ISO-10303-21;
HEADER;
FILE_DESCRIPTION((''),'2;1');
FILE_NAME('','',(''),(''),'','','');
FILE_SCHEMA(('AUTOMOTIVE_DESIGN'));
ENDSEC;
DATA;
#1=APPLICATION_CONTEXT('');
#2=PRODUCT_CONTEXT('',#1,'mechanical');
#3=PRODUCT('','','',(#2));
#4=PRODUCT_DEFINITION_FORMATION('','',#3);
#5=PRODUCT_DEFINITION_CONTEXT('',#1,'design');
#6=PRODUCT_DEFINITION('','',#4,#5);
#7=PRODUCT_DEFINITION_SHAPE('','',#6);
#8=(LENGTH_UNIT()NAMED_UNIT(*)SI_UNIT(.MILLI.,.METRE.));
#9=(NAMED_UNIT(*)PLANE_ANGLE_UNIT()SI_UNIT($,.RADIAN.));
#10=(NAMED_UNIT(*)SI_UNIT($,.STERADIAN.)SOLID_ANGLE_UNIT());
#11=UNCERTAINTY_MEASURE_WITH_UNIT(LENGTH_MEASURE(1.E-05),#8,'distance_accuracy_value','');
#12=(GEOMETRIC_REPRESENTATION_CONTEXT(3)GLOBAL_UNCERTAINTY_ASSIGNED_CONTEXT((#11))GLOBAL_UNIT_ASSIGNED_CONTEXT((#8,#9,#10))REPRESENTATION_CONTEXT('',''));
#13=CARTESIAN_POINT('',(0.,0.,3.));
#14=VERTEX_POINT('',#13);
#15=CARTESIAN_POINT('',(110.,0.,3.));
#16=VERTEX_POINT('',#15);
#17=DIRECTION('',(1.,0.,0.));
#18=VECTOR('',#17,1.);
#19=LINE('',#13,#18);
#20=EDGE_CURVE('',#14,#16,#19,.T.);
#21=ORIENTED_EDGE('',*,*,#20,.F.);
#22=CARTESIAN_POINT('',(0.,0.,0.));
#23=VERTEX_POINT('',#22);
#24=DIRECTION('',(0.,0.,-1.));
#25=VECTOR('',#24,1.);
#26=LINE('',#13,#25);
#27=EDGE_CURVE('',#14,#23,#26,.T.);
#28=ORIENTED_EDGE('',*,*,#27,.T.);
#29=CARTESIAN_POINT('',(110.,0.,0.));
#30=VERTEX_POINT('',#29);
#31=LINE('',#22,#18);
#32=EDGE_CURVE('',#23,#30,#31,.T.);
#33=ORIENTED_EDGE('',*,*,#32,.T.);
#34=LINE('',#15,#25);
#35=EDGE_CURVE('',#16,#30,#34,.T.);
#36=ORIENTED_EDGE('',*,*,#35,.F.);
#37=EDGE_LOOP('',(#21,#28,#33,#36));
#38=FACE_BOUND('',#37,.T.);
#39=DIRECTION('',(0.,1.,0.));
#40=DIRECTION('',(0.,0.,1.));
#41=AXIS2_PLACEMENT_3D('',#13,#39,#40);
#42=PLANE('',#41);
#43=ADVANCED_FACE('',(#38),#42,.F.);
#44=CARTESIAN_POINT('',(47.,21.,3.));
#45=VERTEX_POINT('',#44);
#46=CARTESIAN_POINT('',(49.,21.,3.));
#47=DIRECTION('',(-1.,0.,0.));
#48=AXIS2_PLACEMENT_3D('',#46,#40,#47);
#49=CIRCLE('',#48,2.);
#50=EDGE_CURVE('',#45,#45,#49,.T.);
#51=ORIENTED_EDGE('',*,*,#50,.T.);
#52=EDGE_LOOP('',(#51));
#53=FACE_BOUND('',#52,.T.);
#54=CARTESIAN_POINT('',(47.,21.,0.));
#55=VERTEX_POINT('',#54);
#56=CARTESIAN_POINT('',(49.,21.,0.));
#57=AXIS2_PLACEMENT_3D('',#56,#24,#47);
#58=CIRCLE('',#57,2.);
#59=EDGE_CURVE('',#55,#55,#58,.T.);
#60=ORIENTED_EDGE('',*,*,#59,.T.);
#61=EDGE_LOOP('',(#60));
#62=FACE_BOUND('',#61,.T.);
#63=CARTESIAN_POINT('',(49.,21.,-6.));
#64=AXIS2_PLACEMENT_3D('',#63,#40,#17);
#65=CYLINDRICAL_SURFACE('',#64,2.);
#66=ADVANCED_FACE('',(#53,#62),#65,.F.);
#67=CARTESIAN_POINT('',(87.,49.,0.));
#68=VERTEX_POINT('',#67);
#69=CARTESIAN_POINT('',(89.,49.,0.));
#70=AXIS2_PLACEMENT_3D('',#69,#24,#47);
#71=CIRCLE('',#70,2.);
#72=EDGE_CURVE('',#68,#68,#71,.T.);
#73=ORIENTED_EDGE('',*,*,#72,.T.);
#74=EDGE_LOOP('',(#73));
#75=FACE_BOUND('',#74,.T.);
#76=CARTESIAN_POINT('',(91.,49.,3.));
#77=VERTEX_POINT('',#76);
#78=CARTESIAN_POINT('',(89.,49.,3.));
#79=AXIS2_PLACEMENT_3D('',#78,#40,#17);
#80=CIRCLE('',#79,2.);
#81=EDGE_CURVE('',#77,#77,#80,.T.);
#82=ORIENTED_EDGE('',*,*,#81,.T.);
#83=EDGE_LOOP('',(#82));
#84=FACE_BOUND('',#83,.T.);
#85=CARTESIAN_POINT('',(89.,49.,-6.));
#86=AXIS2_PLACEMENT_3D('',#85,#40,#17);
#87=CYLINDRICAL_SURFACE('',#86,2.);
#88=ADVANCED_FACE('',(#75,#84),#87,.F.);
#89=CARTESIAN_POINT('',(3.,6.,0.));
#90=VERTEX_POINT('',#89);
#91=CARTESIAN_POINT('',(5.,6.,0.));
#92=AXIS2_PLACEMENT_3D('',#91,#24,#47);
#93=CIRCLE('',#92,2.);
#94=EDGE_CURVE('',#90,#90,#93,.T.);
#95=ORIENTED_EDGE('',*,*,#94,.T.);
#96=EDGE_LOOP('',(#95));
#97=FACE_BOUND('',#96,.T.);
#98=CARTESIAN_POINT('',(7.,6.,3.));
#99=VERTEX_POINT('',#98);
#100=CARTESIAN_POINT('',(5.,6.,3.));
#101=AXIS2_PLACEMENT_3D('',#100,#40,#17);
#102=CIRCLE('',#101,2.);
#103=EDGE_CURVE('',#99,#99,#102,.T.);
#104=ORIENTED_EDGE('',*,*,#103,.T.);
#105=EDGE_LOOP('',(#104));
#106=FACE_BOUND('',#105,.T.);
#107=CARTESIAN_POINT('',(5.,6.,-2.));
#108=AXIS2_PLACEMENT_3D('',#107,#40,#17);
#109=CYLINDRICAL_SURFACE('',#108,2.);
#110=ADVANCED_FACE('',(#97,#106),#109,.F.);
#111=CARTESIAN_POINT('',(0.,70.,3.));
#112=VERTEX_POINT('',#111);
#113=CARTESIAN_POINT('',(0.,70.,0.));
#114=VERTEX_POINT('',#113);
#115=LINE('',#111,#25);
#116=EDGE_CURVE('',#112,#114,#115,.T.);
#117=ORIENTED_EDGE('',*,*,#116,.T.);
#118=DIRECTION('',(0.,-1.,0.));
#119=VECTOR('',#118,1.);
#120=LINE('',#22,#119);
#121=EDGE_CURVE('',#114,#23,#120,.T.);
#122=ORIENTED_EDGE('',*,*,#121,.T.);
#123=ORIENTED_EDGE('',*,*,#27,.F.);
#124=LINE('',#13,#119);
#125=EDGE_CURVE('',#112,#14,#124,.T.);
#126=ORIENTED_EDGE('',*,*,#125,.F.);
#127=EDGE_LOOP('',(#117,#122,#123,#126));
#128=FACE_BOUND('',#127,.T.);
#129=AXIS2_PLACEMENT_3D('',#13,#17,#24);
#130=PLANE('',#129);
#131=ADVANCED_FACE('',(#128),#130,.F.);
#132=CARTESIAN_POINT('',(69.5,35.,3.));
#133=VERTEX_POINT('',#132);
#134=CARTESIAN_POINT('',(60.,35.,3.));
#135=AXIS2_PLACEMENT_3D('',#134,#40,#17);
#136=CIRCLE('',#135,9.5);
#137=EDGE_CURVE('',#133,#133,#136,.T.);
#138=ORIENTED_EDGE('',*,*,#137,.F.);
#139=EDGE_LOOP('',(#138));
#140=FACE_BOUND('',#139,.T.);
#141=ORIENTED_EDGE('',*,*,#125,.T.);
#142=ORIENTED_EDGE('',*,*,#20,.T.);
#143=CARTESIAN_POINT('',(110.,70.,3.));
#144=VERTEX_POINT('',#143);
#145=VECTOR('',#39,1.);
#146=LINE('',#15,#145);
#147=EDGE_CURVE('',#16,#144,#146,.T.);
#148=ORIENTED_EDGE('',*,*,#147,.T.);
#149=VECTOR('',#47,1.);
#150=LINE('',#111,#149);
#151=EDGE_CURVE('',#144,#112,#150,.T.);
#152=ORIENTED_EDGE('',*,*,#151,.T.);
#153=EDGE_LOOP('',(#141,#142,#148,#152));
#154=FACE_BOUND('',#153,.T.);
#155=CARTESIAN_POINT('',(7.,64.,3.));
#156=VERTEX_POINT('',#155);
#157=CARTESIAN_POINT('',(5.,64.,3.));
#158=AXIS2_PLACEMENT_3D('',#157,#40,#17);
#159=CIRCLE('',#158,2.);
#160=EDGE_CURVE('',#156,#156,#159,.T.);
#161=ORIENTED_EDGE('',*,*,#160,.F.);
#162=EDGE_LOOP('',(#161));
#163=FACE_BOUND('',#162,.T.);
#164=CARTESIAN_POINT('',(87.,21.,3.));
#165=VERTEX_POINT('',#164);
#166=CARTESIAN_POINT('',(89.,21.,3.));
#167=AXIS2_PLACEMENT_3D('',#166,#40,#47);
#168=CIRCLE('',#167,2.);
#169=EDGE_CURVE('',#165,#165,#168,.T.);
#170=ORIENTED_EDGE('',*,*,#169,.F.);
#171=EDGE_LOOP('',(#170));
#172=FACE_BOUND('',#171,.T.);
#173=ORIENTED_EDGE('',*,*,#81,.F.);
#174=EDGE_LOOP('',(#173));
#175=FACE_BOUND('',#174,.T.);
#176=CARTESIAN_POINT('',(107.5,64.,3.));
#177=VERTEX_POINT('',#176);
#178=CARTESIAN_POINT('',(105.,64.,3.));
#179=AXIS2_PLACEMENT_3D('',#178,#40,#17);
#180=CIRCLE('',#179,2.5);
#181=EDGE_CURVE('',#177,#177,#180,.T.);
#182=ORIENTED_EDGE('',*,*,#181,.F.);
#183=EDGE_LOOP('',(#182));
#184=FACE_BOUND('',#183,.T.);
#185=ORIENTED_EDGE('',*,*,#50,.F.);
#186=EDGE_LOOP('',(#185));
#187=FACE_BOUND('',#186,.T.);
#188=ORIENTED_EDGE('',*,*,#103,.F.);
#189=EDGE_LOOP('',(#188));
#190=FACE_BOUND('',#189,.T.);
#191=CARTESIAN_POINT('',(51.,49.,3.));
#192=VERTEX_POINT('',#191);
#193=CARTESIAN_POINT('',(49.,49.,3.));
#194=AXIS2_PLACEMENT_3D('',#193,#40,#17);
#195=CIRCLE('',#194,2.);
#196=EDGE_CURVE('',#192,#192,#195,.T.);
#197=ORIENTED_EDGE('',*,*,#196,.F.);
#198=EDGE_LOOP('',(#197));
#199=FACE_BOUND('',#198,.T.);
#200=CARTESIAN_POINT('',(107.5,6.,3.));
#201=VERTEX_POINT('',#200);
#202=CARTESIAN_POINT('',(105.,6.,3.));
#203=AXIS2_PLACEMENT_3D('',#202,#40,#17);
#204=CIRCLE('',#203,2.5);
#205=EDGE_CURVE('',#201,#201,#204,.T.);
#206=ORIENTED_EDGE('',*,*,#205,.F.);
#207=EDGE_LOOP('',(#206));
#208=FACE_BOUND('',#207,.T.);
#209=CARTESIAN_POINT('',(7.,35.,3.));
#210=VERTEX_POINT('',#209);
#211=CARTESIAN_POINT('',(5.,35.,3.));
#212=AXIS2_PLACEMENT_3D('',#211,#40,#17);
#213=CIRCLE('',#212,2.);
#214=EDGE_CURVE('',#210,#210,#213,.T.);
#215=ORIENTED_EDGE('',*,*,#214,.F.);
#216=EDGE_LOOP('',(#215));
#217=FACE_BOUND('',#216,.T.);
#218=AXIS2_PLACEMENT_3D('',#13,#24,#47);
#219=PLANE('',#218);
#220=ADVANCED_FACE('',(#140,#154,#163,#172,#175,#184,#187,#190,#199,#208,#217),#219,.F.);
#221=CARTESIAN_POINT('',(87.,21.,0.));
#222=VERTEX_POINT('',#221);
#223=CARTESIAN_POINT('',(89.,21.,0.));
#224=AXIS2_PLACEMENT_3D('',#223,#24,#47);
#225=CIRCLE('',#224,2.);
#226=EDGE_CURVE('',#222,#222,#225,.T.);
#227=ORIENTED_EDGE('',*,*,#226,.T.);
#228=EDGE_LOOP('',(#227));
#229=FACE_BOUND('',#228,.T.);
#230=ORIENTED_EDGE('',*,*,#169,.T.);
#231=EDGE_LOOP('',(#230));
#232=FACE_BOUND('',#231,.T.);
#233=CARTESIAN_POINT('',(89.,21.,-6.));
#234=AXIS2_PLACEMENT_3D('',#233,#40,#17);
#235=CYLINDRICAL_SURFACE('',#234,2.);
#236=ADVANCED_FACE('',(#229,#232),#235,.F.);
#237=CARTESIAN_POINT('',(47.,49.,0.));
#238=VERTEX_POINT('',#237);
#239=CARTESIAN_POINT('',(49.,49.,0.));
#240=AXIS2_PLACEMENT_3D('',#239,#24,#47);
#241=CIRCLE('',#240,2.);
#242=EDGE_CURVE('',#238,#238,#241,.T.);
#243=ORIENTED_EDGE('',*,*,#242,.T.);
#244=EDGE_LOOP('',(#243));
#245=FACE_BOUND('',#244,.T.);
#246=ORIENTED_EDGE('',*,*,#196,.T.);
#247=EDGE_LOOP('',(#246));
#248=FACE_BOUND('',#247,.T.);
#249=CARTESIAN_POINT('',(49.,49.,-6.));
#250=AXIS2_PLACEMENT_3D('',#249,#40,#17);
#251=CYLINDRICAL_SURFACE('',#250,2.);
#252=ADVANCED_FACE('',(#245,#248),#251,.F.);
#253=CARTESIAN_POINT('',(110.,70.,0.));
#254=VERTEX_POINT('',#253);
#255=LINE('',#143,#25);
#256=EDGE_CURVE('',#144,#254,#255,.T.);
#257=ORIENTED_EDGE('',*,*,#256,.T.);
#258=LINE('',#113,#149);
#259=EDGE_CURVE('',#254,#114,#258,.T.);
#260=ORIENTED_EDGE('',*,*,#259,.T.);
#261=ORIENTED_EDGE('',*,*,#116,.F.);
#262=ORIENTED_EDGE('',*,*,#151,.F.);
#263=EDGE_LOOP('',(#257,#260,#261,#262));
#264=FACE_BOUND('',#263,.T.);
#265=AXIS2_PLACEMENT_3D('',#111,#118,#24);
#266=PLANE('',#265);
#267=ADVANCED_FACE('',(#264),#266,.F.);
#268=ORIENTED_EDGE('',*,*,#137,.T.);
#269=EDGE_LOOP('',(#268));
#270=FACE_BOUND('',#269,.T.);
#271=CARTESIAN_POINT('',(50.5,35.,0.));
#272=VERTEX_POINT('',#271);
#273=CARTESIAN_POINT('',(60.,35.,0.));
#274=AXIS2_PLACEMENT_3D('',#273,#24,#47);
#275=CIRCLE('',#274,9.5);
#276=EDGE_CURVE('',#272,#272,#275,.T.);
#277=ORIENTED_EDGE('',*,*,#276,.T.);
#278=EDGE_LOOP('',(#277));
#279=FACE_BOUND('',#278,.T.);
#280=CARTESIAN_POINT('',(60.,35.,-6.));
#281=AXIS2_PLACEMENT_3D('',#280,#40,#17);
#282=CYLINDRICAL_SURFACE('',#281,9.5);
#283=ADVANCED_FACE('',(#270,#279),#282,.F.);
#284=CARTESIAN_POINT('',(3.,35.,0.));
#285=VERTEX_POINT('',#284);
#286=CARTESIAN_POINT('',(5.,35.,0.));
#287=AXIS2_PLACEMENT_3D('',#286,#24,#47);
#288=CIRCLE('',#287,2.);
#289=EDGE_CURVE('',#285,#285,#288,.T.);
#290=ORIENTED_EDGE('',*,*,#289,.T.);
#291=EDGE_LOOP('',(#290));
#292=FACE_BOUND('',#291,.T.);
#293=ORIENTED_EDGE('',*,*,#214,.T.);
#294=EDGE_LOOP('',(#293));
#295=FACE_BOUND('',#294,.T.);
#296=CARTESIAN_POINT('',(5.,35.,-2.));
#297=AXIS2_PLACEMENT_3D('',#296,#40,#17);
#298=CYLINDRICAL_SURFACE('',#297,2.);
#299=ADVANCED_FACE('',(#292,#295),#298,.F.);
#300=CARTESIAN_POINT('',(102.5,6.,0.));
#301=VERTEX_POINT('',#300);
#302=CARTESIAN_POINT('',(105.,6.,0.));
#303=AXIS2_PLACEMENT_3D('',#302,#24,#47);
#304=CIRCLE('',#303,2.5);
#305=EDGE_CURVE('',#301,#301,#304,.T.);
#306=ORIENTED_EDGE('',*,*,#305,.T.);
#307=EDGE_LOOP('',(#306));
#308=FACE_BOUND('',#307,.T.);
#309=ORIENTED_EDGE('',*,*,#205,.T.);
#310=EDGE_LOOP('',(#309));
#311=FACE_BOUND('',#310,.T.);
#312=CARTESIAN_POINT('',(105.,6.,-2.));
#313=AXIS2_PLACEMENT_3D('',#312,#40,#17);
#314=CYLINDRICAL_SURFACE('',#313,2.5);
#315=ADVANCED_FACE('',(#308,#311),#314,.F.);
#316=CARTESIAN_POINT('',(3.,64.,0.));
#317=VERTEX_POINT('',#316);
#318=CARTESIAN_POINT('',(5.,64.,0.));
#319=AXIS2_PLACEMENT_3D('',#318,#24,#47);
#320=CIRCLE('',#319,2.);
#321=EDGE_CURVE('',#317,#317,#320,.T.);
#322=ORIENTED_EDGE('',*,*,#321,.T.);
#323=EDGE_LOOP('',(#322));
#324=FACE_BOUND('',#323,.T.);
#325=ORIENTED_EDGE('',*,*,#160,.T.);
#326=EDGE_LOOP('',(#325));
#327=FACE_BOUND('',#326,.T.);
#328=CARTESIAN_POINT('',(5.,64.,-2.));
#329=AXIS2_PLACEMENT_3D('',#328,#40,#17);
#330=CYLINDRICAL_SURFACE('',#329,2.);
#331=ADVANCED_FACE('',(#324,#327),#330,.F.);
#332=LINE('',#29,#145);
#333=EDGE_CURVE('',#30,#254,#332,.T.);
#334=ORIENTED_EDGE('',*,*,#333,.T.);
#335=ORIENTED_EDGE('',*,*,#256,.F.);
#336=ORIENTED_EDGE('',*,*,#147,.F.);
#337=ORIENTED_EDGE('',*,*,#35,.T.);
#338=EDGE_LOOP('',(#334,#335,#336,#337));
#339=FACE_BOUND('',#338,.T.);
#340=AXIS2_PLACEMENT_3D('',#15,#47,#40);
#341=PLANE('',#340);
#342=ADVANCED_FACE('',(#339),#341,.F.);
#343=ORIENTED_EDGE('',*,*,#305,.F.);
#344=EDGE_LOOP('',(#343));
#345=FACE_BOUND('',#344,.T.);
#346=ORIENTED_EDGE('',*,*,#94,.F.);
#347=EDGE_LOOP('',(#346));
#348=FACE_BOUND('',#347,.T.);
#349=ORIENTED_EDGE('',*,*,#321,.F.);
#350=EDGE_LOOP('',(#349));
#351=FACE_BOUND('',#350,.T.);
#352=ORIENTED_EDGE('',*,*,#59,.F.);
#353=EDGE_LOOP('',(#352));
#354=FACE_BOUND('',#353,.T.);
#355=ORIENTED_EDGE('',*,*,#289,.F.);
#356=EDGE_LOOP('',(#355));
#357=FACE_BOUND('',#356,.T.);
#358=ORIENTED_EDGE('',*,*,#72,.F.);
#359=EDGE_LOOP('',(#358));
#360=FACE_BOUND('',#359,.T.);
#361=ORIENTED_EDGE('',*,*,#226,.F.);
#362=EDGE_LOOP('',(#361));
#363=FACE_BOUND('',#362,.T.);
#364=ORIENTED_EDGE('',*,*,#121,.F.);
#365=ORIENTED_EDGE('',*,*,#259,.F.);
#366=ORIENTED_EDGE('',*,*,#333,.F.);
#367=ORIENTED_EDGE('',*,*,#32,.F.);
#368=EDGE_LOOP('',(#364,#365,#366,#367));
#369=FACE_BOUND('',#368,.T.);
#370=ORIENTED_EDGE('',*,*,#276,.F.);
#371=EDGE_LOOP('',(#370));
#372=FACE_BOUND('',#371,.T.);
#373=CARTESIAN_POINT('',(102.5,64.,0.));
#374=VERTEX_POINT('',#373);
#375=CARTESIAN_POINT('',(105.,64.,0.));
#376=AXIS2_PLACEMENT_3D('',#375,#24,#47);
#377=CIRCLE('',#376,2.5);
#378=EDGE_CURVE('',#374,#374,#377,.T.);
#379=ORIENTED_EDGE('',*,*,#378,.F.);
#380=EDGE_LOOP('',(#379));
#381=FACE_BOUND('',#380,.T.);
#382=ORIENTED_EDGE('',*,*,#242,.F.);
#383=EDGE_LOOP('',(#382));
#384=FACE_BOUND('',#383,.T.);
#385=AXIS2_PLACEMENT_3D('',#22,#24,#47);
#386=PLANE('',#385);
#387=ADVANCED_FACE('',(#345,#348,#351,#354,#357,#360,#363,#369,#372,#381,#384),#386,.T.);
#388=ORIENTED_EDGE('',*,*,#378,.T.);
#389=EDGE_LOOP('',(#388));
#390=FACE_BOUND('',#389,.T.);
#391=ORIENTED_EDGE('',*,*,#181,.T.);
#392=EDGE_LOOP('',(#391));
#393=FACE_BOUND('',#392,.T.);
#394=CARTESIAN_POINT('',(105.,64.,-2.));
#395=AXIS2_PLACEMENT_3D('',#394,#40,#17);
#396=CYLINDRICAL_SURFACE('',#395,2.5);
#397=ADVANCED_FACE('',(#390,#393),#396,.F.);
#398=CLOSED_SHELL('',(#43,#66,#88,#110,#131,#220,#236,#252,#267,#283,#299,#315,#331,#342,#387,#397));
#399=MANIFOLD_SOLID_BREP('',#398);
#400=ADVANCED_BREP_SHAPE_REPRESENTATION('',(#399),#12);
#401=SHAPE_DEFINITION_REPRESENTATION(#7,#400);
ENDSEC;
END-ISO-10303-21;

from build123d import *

# Parameters (mm, degrees)
SKETCH1_W           = 110
SKETCH1_H           = 70
BOSS_EXTRUDE1_DEPTH = 3
SKETCH2_R           = 2
SKETCH2_R_2         = 2.5
CUT_EXTRUDE1_DEPTH  = 5
SKETCH3_R           = 9.5
SKETCH3_R_2         = 2
CUT_EXTRUDE3_DEPTH  = 9


with BuildPart() as part:
    # Sketch1 → Boss-Extrude1 (new body)
    with BuildSketch(Plane.XY):
        with Locations((55, 35)):
            Rectangle(SKETCH1_W, SKETCH1_H)
    extrude(amount=BOSS_EXTRUDE1_DEPTH)

    # Sketch2 → Cut-Extrude1 (cut)
    with BuildSketch(Plane.XY.offset(3)):
        with Locations((5, 64)):
            Circle(SKETCH2_R)
        with Locations((5, 6)):
            Circle(SKETCH2_R)
        with Locations((105, 64)):
            Circle(SKETCH2_R_2)
        with Locations((105, 6)):
            Circle(SKETCH2_R_2)
        with Locations((5, 35)):
            Circle(SKETCH2_R)
    extrude(amount=-CUT_EXTRUDE1_DEPTH, mode=Mode.SUBTRACT)

    # Sketch3 → Cut-Extrude3 (cut)
    with BuildSketch(Plane.XY.offset(3)):
        with Locations((60, 35)):
            Circle(SKETCH3_R)
        with Locations((49, 49)):
            Circle(SKETCH3_R_2)
        with Locations((89, 49)):
            Circle(SKETCH3_R_2)
        with Locations(Location((89, 21, 0), (0, 0, 180))):
            Circle(SKETCH3_R_2)
        with Locations(Location((49, 21, 0), (0, 0, 180))):
            Circle(SKETCH3_R_2)
    extrude(amount=-CUT_EXTRUDE3_DEPTH, mode=Mode.SUBTRACT)


solid = part.part
